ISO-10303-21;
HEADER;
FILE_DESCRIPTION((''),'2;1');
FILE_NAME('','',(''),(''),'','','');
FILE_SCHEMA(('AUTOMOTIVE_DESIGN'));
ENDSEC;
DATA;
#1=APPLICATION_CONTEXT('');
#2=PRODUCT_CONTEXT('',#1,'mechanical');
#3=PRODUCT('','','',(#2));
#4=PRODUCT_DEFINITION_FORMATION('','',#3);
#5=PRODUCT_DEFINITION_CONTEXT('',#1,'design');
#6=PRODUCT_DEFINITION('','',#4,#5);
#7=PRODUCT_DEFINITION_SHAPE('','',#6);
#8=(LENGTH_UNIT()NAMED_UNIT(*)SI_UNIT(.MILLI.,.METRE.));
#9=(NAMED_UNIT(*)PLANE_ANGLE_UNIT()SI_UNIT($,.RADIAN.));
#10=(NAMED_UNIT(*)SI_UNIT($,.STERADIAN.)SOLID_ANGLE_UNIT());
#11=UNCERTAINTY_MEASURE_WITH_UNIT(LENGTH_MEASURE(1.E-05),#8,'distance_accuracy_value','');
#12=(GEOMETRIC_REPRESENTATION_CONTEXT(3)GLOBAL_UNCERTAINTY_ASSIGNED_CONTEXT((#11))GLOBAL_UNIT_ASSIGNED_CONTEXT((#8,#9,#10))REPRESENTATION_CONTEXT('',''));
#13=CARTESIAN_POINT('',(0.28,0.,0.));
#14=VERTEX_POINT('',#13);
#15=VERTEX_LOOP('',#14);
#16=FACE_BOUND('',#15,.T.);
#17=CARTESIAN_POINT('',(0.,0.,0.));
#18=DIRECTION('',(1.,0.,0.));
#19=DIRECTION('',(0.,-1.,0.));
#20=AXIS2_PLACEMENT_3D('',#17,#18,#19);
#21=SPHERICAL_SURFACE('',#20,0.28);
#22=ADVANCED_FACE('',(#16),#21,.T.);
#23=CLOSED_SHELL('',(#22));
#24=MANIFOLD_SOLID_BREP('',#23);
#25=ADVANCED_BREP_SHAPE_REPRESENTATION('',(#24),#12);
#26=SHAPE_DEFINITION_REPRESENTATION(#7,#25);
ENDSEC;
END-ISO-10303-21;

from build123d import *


with BuildPart() as part:
    # Sketch1 → Revolve1 (revolve)
    with BuildSketch(Plane.XY):
        with BuildLine():
            Line((0.28, 0), (-0.28, 0))
            ThreePointArc((-0.28, 0), (0, 0.28), (0.28, 0))
        make_face()
    revolve(axis=Axis((0.28, 0, 0), (-1, 0, 0)))


solid = part.part
